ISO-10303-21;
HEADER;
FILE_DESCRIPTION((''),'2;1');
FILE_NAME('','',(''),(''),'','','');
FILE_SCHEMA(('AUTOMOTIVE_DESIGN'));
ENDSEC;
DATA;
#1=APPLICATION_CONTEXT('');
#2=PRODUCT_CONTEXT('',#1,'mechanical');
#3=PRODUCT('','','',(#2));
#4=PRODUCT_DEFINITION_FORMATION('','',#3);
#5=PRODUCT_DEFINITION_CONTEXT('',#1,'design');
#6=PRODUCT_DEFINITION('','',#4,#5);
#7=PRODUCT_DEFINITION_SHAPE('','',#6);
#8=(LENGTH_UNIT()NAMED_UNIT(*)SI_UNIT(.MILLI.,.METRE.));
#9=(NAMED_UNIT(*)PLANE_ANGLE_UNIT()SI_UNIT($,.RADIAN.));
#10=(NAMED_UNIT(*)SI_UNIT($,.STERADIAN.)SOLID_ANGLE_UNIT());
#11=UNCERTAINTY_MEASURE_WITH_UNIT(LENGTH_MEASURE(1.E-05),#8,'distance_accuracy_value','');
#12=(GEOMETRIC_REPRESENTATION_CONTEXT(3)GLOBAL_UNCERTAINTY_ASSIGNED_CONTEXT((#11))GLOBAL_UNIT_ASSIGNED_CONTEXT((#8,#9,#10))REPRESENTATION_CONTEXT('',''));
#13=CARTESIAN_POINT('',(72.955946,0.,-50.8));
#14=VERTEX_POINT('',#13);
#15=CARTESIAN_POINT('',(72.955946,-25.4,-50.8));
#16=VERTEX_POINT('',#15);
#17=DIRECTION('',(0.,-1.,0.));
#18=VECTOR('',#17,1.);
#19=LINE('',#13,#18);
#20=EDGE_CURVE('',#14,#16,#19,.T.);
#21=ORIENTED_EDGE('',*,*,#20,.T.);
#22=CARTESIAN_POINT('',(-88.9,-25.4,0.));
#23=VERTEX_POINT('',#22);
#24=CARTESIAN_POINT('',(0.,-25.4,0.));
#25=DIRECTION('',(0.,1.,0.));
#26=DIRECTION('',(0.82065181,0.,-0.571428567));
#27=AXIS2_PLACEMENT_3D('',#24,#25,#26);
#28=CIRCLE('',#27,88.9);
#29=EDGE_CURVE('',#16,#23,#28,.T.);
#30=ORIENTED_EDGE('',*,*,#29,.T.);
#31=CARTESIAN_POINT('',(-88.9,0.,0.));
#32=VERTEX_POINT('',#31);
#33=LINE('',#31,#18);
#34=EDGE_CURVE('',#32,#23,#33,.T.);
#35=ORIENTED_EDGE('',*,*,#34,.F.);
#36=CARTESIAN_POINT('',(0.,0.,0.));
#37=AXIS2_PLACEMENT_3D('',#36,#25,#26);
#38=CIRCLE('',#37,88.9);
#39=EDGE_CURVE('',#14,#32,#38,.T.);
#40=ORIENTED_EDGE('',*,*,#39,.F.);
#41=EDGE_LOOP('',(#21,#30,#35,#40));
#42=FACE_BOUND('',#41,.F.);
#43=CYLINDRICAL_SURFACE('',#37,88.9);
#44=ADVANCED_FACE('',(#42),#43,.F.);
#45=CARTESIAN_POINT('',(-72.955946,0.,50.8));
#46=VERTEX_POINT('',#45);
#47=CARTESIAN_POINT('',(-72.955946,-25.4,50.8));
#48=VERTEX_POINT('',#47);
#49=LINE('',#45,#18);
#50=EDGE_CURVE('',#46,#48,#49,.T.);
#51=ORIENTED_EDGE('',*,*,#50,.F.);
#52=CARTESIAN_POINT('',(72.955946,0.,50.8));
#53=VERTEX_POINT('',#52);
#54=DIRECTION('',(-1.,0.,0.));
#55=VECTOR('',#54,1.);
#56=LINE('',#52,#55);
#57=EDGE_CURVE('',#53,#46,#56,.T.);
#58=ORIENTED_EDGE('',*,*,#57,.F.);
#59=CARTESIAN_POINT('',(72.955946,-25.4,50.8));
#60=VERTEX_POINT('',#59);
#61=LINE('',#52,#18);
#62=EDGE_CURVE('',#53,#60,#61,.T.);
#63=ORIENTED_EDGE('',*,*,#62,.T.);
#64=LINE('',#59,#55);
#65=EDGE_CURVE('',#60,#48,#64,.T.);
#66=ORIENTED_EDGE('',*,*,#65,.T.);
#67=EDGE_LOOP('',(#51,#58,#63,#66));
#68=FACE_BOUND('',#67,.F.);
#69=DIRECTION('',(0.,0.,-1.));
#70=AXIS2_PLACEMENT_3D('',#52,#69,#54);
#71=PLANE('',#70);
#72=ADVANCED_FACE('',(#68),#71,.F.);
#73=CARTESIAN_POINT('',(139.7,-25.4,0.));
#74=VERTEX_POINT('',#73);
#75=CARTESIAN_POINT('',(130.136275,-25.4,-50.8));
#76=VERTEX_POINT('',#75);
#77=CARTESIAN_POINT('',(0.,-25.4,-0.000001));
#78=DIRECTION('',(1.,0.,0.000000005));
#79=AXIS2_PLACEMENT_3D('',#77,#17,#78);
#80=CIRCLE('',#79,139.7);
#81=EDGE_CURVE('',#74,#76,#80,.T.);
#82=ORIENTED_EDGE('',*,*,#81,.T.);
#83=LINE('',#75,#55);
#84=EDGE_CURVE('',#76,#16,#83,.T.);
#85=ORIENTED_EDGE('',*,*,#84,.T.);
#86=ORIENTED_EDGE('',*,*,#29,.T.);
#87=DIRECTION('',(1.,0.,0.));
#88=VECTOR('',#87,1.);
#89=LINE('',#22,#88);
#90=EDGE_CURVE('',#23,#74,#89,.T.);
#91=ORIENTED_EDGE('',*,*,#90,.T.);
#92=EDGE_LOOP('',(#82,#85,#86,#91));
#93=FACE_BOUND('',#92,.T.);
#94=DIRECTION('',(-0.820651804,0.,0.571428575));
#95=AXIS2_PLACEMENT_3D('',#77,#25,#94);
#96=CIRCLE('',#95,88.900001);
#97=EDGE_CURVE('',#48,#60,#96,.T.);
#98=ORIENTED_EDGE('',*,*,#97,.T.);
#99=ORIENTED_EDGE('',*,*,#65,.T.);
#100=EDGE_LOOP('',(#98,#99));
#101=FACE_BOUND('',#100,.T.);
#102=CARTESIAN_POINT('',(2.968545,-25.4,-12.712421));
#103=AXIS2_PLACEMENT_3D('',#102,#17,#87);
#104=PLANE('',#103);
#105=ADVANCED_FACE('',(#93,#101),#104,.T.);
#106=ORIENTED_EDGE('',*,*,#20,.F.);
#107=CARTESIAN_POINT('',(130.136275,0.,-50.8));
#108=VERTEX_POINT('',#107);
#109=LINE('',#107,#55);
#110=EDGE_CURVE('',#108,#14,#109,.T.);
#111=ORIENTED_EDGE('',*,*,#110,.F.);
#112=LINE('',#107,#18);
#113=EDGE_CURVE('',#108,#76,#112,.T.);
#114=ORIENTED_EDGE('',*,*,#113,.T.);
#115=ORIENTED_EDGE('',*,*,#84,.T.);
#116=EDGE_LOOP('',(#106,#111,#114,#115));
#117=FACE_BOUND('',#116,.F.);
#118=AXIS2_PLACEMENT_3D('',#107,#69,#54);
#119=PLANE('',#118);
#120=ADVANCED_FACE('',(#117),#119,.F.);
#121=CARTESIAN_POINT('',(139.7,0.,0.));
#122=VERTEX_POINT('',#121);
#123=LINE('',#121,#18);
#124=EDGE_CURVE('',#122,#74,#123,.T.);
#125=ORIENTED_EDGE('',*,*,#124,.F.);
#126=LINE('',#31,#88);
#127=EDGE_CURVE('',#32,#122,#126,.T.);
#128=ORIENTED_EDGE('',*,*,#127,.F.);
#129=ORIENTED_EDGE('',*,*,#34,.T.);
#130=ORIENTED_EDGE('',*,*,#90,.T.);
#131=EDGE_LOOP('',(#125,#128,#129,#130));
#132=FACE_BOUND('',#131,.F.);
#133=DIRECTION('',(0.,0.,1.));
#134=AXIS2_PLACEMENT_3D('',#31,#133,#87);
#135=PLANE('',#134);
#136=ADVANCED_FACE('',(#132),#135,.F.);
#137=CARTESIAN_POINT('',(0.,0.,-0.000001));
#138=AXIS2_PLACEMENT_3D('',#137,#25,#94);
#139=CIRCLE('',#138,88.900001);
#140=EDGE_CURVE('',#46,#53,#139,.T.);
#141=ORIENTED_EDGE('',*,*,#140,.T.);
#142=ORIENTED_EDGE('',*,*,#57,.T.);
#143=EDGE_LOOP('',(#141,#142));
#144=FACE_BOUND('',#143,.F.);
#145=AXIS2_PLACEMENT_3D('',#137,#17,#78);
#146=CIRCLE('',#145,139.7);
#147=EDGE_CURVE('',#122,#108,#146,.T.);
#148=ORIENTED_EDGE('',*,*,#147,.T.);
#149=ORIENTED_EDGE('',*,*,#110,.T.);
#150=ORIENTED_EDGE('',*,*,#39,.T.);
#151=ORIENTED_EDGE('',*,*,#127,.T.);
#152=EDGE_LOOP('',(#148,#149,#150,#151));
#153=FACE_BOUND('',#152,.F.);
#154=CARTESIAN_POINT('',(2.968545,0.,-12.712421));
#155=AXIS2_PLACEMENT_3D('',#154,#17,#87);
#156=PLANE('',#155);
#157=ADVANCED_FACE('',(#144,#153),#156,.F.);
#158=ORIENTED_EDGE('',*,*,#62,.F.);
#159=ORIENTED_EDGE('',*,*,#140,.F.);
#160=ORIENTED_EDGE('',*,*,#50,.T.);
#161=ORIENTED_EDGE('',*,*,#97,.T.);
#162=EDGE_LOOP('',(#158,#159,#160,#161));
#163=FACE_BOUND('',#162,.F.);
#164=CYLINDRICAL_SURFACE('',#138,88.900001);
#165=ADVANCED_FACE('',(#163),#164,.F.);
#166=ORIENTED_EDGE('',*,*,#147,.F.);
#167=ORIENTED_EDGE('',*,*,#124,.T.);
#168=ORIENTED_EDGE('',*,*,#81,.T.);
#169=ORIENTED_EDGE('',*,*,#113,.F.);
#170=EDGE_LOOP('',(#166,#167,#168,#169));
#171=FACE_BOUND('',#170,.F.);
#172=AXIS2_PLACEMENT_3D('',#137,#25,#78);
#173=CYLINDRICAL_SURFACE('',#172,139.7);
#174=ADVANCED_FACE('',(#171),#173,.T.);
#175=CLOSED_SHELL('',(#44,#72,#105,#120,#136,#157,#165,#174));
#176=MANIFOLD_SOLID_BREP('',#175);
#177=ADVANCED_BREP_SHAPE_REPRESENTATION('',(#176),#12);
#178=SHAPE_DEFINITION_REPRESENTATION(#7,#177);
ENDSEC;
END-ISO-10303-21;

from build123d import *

# Parameters (mm, degrees)
F1_DEPTH = 25.4


with BuildPart() as f1:
    # F0 (on Front) → F1 (new body)
    with BuildSketch(Plane.XZ):
        with BuildLine():
            Line((88.9, 0), (139.7, 0))
            ThreePointArc((139.7, 0), (-137.288251, 25.846203), (130.136275, -50.8))
            Line((130.136275, -50.8), (72.955946, -50.8))
            ThreePointArc((72.955946, -50.8), (-26.621668, -84.82038), (-88.9, 0))
            Line((-88.9, 0), (88.9, 0))
        make_face()
        with BuildLine():
            ThreePointArc((-72.955946, 50.8), (0, 88.9), (72.955946, 50.8))
            Line((72.955946, 50.8), (-72.955946, 50.8))
        make_face(mode=Mode.SUBTRACT)
    extrude(amount=F1_DEPTH)


solid = f1.part
